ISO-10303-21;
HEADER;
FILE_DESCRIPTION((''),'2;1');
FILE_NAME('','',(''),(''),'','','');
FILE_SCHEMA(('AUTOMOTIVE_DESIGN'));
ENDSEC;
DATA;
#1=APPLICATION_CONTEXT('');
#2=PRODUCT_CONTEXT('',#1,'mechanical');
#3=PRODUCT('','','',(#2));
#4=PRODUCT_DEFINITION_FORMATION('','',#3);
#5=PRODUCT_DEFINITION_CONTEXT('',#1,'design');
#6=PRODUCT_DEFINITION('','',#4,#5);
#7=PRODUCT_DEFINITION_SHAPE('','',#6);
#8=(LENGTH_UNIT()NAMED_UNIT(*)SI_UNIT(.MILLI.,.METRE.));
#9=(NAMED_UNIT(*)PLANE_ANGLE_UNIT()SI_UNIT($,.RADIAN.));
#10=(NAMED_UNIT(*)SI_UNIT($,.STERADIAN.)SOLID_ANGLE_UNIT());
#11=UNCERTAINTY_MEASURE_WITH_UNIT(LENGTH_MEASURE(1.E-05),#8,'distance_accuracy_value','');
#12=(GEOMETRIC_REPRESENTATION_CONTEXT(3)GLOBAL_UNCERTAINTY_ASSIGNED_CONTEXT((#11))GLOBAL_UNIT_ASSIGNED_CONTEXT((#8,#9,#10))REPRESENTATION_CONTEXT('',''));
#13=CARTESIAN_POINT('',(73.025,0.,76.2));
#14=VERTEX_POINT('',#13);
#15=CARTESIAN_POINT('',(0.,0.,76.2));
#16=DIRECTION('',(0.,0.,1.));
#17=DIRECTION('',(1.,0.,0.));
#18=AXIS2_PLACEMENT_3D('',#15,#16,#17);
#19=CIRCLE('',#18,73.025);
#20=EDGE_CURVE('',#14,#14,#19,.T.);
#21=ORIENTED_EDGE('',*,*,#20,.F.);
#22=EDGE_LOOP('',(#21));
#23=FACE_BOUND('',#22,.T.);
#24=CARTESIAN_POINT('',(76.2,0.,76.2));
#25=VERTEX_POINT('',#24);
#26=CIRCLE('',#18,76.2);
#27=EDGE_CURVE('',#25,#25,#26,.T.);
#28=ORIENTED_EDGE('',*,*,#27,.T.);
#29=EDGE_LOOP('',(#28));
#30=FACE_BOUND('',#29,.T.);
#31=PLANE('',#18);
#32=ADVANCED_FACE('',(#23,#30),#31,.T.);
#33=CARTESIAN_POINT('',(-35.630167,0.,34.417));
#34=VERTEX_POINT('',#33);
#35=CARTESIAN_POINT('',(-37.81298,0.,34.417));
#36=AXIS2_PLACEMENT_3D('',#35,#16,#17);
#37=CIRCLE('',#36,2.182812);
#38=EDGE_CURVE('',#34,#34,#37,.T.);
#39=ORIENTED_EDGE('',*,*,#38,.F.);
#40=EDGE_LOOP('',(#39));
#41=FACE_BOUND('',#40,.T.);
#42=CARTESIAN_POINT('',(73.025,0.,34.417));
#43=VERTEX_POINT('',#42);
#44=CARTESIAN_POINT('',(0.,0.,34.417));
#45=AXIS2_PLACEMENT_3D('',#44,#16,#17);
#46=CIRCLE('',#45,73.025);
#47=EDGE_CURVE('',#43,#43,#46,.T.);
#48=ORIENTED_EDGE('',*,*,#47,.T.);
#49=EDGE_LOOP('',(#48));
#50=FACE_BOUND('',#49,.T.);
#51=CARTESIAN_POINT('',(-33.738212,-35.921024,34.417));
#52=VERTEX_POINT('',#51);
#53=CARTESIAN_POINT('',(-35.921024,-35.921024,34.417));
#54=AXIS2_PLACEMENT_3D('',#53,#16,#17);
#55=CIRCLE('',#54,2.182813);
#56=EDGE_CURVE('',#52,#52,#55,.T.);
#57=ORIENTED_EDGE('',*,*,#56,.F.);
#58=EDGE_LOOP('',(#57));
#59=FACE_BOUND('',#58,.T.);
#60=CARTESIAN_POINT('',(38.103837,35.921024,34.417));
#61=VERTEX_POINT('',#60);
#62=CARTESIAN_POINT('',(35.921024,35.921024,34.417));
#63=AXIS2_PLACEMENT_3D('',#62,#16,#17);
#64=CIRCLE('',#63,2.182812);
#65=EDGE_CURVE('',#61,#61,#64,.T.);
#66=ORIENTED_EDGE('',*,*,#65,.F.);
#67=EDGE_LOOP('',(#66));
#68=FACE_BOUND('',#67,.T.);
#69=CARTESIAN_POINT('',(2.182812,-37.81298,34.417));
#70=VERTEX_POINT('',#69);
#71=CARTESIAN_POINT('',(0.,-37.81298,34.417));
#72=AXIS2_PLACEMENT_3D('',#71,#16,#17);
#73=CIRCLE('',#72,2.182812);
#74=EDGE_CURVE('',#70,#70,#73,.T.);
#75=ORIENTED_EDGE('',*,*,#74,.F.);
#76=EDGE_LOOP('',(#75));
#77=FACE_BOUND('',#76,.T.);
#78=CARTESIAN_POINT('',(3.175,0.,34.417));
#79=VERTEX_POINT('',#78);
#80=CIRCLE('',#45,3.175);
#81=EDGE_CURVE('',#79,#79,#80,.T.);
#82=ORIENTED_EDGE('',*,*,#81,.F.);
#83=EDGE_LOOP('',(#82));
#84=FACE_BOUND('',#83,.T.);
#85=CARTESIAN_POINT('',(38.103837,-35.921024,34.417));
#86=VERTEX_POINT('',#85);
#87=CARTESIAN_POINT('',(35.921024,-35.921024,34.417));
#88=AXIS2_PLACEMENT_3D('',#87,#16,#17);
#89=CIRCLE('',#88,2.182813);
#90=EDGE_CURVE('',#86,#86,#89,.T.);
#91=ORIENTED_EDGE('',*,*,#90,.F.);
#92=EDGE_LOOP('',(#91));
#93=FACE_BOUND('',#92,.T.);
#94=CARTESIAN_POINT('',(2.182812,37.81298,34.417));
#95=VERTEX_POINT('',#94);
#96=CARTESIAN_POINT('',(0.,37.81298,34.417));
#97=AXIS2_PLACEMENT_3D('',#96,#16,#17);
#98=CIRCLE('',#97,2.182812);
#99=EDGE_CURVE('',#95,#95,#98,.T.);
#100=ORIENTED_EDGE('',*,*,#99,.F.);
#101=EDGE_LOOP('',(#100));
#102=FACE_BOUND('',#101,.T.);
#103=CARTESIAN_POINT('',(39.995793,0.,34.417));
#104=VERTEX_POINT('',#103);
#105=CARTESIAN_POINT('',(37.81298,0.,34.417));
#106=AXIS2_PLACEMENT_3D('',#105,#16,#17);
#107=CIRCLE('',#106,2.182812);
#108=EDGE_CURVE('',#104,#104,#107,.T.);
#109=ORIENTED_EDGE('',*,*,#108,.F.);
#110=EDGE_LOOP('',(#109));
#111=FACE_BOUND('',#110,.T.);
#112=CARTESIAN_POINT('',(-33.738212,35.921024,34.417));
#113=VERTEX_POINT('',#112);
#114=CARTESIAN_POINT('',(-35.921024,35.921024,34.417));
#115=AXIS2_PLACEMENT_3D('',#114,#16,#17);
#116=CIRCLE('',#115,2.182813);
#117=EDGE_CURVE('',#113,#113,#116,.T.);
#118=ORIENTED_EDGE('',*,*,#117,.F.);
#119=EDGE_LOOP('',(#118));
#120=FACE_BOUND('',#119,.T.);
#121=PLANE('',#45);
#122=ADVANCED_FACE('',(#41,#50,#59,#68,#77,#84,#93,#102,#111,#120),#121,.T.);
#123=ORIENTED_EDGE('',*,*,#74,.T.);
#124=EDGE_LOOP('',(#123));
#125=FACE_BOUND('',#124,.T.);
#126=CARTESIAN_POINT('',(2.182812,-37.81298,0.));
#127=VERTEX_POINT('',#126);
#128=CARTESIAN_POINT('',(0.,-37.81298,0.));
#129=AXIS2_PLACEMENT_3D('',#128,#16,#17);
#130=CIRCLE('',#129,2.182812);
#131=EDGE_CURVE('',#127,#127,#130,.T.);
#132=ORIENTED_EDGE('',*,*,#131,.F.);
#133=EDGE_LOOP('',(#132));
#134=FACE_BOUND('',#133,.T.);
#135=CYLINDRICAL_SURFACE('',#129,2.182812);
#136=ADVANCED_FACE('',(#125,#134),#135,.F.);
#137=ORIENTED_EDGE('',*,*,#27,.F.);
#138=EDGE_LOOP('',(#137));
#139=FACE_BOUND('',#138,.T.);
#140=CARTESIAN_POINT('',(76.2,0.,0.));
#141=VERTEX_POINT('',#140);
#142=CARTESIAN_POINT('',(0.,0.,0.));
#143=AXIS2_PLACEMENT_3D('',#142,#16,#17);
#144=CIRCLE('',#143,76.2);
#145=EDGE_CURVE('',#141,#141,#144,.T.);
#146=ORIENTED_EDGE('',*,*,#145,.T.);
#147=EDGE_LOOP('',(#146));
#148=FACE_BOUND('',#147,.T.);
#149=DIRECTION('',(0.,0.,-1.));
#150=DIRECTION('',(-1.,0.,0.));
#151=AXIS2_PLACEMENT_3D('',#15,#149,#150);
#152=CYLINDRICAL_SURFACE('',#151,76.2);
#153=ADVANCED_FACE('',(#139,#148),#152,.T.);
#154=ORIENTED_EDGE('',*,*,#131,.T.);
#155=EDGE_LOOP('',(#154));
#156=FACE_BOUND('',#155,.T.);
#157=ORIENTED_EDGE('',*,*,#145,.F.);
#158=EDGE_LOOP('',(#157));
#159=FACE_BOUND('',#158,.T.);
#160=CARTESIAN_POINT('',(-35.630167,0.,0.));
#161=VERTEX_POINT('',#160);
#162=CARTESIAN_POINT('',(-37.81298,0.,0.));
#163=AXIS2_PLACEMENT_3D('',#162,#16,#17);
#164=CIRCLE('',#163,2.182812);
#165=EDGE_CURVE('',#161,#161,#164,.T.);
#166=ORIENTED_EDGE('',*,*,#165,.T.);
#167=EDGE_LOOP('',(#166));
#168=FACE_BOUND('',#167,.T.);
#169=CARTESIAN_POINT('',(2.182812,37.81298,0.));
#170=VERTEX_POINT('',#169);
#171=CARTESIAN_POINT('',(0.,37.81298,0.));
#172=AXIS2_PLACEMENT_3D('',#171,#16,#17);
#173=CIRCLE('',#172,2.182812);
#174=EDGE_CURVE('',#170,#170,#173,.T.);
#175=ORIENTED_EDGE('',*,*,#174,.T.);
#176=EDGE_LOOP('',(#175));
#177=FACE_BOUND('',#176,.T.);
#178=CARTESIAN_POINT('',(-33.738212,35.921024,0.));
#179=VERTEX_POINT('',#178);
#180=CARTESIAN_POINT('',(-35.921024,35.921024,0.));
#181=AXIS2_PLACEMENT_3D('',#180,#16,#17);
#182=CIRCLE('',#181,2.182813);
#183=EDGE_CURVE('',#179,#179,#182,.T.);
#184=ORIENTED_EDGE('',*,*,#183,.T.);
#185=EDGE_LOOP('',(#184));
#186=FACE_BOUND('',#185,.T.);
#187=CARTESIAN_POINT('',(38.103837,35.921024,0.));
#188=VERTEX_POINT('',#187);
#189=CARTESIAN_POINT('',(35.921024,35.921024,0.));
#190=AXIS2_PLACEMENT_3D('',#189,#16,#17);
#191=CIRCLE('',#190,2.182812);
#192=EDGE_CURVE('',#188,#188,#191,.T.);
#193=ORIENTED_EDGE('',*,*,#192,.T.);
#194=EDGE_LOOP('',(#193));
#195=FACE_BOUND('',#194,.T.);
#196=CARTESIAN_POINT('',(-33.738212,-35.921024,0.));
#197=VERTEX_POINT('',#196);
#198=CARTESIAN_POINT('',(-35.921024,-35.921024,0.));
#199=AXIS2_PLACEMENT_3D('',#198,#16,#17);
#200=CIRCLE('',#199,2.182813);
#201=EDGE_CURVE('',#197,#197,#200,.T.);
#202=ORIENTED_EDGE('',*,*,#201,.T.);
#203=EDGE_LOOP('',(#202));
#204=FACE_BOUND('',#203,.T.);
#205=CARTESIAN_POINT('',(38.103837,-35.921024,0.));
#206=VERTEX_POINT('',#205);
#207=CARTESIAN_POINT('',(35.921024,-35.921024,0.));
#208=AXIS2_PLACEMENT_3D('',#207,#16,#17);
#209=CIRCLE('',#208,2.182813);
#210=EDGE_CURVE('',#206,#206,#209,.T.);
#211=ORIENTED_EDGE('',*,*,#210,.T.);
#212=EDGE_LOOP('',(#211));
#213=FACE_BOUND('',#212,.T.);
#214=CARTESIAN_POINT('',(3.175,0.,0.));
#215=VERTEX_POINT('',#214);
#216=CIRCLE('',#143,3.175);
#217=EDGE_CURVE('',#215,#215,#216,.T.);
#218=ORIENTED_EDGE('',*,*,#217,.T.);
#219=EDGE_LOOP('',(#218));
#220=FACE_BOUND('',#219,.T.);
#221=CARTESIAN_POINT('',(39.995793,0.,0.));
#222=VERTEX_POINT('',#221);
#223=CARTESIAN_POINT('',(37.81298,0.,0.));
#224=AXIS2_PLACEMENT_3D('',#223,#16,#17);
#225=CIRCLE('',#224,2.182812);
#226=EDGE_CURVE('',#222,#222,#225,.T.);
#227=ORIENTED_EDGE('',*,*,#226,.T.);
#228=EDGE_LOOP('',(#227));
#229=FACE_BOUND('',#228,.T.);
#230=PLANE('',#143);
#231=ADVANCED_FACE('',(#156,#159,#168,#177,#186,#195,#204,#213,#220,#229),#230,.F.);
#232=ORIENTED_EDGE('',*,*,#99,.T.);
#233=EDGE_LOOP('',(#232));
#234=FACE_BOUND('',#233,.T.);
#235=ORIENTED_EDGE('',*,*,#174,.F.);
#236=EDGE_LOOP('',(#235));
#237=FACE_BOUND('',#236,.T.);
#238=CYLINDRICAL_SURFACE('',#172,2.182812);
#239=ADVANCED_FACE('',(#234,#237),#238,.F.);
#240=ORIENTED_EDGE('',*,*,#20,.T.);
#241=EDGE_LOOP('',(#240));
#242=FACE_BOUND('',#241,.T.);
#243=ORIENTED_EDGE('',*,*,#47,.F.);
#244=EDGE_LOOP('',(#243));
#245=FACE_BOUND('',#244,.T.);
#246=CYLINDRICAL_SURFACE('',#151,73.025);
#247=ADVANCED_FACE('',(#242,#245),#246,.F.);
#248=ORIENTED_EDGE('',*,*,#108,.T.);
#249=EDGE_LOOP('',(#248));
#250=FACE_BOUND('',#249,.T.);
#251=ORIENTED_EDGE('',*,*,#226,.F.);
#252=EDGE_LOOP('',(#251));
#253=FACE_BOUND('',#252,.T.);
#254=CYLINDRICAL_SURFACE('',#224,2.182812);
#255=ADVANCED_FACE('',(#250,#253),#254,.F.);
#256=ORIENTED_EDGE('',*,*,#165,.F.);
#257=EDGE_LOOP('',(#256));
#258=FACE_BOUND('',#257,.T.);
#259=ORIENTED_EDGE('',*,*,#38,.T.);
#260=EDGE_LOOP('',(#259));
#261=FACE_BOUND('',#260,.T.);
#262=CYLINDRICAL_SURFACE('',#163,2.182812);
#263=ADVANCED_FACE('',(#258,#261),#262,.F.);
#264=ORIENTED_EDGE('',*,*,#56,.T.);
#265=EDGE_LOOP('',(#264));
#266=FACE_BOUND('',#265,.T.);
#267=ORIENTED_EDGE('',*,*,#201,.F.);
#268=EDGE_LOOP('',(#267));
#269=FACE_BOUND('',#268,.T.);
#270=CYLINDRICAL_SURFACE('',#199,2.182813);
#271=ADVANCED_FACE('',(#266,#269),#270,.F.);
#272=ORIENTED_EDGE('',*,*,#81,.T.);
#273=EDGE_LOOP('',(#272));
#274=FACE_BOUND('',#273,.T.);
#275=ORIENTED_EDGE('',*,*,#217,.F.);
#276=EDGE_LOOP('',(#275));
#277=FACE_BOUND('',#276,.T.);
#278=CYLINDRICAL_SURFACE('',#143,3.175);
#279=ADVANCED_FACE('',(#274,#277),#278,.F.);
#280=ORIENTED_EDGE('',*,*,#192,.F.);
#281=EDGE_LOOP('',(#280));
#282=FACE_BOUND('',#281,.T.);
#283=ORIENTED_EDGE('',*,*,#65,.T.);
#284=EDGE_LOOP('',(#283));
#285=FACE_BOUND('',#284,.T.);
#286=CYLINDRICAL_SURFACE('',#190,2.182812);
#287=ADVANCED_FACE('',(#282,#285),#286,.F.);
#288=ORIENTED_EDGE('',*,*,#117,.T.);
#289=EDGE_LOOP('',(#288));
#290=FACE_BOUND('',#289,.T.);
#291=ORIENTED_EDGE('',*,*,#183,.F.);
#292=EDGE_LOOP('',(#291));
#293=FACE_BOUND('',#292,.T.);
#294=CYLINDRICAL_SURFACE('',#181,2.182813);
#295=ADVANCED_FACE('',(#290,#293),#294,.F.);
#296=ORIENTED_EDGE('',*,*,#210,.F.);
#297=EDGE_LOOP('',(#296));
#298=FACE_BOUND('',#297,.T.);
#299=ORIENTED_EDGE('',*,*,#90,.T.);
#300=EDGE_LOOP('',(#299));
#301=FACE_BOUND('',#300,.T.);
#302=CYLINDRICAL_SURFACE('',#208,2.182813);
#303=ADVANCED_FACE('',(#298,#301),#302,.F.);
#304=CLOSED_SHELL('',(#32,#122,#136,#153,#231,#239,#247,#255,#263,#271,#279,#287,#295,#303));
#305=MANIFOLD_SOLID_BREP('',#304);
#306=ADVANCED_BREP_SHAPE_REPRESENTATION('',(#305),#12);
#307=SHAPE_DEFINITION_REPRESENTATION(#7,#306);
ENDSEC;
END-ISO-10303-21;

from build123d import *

# Parameters (mm, degrees)
SKETCH1_R           = 76.2
SKETCH1_R_2         = 73.025
BOSS_EXTRUDE1_DEPTH = 76.2
SKETCH3_R           = 76.2
BOSS_EXTRUDE2_DEPTH = 34.417
SKETCH5_R           = 2.1828125
CUT_EXTRUDE2_DEPTH  = 35.417
SKETCH11_R          = 2.1828125
CUT_EXTRUDE11_DEPTH = 35.417
SKETCH12_R          = 3.175
CUT_EXTRUDE12_DEPTH = 35.417


with BuildPart() as part:
    # Sketch1 → Boss-Extrude1 (new body)
    with BuildSketch(Plane.XY):
        Circle(SKETCH1_R)
        Circle(SKETCH1_R_2, mode=Mode.SUBTRACT)
    extrude(amount=BOSS_EXTRUDE1_DEPTH)

    # Sketch3 → Boss-Extrude2 (add)
    with BuildSketch(Plane.XY):
        Circle(SKETCH3_R)
    extrude(amount=BOSS_EXTRUDE2_DEPTH)

    # Sketch5 → Cut-Extrude2 (cut, through all)
    with BuildSketch(Plane.XY.offset(34.417)):
        with Locations((0, 37.81298)):
            Circle(SKETCH5_R)
        with Locations((37.81298, 0)):
            Circle(SKETCH5_R)
        with Locations((-37.81298, 0)):
            Circle(SKETCH5_R)
        with Locations((0, -37.81298)):
            Circle(SKETCH5_R)
    extrude(amount=-CUT_EXTRUDE2_DEPTH, mode=Mode.SUBTRACT)

    # Sketch11 → Cut-Extrude11 (cut, through all)
    with BuildSketch(Plane.XY.offset(34.417)):
        with Locations((-35.921024484, 35.921024484)):
            Circle(SKETCH11_R)
        with Locations((-35.921024484, -35.921024484)):
            Circle(SKETCH11_R)
        with Locations((35.921024484, -35.921024484)):
            Circle(SKETCH11_R)
        with Locations((35.921024484, 35.921024484)):
            Circle(SKETCH11_R)
    extrude(amount=-CUT_EXTRUDE11_DEPTH, mode=Mode.SUBTRACT)

    # Sketch12 → Cut-Extrude12 (cut, through all)
    with BuildSketch(Plane.XY.offset(34.417)):
        Circle(SKETCH12_R)
    extrude(amount=-CUT_EXTRUDE12_DEPTH, mode=Mode.SUBTRACT)


solid = part.part
